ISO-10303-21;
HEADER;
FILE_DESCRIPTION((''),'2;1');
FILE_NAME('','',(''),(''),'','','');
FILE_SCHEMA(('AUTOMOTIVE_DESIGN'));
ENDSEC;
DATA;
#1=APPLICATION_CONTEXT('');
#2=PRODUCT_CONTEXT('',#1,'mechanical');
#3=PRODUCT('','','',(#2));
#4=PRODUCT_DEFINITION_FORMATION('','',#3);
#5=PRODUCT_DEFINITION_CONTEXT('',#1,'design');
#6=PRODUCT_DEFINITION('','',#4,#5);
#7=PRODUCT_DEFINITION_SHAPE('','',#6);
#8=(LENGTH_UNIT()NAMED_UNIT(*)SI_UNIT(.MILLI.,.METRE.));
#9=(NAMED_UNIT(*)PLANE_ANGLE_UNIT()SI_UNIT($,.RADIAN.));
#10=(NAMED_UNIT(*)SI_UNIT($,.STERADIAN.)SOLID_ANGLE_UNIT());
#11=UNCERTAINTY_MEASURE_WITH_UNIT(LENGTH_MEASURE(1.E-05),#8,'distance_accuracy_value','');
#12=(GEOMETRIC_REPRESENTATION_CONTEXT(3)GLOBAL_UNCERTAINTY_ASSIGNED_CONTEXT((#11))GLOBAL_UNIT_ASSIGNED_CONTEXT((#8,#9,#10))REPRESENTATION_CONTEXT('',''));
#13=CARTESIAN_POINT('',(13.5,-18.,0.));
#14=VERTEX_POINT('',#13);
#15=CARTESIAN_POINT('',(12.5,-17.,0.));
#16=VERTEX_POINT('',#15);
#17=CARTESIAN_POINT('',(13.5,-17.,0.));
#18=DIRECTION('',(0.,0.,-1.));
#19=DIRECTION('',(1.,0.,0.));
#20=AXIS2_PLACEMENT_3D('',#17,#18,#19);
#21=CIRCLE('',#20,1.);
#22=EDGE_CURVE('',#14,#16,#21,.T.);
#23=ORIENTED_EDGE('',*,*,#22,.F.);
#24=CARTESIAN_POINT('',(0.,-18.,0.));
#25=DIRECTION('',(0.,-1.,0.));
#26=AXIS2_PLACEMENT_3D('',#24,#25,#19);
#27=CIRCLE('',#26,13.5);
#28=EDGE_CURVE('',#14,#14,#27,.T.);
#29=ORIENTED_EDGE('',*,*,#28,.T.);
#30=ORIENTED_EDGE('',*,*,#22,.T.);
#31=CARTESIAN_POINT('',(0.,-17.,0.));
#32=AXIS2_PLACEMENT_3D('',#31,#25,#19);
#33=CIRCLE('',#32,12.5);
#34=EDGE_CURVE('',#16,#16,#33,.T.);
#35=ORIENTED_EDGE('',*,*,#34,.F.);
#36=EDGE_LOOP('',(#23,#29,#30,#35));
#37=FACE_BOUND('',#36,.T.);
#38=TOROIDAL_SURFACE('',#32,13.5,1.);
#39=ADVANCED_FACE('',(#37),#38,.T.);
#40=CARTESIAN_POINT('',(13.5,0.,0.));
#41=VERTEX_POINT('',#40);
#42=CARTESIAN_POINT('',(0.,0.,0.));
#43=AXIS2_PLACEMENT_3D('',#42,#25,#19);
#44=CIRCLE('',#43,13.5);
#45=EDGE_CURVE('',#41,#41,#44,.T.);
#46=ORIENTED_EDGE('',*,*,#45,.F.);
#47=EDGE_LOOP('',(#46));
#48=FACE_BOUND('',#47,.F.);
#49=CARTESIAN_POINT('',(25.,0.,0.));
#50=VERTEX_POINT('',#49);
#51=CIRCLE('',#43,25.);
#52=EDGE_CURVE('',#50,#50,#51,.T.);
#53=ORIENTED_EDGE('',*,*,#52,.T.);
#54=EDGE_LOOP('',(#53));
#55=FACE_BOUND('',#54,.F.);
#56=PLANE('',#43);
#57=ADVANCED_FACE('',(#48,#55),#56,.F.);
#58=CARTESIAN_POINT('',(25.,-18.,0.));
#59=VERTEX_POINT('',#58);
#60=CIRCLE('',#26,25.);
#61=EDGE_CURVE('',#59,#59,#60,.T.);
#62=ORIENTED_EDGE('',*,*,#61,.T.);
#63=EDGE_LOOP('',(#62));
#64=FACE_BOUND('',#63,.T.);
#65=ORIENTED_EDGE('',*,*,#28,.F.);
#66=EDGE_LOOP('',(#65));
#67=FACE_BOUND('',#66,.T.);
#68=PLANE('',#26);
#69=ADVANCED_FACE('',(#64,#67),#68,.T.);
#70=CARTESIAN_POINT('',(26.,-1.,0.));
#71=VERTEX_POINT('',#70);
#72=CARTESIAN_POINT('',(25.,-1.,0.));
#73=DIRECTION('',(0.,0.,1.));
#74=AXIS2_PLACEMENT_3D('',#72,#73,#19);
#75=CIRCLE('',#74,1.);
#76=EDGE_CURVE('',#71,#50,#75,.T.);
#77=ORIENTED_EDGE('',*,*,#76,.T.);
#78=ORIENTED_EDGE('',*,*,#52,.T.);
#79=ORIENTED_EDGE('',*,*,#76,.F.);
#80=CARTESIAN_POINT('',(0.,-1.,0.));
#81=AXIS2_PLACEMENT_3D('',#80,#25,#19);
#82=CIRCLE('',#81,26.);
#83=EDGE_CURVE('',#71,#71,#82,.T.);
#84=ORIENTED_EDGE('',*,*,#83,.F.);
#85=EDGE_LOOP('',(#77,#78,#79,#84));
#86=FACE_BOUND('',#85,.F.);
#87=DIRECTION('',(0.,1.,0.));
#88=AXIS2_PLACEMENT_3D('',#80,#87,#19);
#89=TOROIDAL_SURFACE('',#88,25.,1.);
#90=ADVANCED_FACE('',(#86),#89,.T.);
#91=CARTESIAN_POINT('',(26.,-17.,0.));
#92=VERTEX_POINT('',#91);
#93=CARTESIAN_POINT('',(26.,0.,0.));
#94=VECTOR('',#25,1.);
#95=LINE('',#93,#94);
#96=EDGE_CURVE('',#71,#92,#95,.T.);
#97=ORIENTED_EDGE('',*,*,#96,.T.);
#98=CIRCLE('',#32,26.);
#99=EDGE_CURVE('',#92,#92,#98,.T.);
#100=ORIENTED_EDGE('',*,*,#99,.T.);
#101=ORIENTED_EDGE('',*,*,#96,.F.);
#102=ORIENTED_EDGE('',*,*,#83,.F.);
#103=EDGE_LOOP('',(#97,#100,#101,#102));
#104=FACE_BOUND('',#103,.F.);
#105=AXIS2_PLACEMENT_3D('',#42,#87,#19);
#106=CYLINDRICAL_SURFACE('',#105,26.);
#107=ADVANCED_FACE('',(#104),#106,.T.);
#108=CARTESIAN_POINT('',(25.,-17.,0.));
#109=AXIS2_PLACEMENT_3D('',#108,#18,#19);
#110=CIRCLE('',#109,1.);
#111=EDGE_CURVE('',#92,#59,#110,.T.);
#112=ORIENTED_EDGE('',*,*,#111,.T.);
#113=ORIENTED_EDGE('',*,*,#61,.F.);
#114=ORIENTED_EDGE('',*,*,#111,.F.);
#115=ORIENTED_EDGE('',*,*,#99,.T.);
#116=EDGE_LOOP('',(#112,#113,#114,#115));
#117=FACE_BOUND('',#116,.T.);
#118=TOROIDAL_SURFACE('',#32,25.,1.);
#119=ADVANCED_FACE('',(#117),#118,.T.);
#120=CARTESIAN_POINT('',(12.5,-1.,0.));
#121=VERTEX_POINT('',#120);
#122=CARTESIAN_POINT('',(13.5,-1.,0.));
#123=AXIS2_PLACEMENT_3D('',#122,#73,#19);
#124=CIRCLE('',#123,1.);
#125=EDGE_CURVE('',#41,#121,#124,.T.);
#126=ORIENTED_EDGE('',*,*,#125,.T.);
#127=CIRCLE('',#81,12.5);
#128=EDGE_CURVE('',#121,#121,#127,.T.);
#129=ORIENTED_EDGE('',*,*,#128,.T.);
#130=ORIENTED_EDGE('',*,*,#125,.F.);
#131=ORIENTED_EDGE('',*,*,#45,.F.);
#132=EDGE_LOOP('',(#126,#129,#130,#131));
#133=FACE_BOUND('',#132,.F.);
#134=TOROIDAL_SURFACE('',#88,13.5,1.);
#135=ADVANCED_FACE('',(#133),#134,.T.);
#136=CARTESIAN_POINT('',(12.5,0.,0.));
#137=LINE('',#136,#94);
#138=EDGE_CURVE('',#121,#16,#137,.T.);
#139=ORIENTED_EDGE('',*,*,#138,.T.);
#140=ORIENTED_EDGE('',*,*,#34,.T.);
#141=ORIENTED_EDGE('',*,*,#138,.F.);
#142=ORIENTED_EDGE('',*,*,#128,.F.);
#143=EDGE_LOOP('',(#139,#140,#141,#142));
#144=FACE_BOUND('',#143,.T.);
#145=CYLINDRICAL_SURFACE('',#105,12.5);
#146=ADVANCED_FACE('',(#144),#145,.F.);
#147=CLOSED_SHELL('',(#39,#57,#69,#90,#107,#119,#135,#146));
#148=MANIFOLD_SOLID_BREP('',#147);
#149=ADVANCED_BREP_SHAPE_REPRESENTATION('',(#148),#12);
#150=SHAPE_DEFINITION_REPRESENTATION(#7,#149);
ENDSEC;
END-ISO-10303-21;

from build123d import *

# Parameters (mm, degrees)
F0_R     = 26
F0_R_2   = 12.5
F1_DEPTH = 18
F2_R     = 1
F3_R     = 1


with BuildPart() as f1:
    # F0 (on Front) → F1 (new body)
    with BuildSketch(Plane.XZ):
        Circle(F0_R)
        Circle(F0_R_2, mode=Mode.SUBTRACT)
    extrude(amount=F1_DEPTH)

    # F2
    f2_edges = [f1.edges().sort_by_distance(p)[0] for p in [
        (-26, -18, 0),
        (-26, 0, 0),
    ]]
    fillet(f2_edges, radius=F2_R)

    # F3
    f3_edges = [f1.edges().sort_by_distance(p)[0] for p in [
        (-12.5, -18, 0),
        (-12.5, 0, 0),
    ]]
    fillet(f3_edges, radius=F3_R)


solid = f1.part
